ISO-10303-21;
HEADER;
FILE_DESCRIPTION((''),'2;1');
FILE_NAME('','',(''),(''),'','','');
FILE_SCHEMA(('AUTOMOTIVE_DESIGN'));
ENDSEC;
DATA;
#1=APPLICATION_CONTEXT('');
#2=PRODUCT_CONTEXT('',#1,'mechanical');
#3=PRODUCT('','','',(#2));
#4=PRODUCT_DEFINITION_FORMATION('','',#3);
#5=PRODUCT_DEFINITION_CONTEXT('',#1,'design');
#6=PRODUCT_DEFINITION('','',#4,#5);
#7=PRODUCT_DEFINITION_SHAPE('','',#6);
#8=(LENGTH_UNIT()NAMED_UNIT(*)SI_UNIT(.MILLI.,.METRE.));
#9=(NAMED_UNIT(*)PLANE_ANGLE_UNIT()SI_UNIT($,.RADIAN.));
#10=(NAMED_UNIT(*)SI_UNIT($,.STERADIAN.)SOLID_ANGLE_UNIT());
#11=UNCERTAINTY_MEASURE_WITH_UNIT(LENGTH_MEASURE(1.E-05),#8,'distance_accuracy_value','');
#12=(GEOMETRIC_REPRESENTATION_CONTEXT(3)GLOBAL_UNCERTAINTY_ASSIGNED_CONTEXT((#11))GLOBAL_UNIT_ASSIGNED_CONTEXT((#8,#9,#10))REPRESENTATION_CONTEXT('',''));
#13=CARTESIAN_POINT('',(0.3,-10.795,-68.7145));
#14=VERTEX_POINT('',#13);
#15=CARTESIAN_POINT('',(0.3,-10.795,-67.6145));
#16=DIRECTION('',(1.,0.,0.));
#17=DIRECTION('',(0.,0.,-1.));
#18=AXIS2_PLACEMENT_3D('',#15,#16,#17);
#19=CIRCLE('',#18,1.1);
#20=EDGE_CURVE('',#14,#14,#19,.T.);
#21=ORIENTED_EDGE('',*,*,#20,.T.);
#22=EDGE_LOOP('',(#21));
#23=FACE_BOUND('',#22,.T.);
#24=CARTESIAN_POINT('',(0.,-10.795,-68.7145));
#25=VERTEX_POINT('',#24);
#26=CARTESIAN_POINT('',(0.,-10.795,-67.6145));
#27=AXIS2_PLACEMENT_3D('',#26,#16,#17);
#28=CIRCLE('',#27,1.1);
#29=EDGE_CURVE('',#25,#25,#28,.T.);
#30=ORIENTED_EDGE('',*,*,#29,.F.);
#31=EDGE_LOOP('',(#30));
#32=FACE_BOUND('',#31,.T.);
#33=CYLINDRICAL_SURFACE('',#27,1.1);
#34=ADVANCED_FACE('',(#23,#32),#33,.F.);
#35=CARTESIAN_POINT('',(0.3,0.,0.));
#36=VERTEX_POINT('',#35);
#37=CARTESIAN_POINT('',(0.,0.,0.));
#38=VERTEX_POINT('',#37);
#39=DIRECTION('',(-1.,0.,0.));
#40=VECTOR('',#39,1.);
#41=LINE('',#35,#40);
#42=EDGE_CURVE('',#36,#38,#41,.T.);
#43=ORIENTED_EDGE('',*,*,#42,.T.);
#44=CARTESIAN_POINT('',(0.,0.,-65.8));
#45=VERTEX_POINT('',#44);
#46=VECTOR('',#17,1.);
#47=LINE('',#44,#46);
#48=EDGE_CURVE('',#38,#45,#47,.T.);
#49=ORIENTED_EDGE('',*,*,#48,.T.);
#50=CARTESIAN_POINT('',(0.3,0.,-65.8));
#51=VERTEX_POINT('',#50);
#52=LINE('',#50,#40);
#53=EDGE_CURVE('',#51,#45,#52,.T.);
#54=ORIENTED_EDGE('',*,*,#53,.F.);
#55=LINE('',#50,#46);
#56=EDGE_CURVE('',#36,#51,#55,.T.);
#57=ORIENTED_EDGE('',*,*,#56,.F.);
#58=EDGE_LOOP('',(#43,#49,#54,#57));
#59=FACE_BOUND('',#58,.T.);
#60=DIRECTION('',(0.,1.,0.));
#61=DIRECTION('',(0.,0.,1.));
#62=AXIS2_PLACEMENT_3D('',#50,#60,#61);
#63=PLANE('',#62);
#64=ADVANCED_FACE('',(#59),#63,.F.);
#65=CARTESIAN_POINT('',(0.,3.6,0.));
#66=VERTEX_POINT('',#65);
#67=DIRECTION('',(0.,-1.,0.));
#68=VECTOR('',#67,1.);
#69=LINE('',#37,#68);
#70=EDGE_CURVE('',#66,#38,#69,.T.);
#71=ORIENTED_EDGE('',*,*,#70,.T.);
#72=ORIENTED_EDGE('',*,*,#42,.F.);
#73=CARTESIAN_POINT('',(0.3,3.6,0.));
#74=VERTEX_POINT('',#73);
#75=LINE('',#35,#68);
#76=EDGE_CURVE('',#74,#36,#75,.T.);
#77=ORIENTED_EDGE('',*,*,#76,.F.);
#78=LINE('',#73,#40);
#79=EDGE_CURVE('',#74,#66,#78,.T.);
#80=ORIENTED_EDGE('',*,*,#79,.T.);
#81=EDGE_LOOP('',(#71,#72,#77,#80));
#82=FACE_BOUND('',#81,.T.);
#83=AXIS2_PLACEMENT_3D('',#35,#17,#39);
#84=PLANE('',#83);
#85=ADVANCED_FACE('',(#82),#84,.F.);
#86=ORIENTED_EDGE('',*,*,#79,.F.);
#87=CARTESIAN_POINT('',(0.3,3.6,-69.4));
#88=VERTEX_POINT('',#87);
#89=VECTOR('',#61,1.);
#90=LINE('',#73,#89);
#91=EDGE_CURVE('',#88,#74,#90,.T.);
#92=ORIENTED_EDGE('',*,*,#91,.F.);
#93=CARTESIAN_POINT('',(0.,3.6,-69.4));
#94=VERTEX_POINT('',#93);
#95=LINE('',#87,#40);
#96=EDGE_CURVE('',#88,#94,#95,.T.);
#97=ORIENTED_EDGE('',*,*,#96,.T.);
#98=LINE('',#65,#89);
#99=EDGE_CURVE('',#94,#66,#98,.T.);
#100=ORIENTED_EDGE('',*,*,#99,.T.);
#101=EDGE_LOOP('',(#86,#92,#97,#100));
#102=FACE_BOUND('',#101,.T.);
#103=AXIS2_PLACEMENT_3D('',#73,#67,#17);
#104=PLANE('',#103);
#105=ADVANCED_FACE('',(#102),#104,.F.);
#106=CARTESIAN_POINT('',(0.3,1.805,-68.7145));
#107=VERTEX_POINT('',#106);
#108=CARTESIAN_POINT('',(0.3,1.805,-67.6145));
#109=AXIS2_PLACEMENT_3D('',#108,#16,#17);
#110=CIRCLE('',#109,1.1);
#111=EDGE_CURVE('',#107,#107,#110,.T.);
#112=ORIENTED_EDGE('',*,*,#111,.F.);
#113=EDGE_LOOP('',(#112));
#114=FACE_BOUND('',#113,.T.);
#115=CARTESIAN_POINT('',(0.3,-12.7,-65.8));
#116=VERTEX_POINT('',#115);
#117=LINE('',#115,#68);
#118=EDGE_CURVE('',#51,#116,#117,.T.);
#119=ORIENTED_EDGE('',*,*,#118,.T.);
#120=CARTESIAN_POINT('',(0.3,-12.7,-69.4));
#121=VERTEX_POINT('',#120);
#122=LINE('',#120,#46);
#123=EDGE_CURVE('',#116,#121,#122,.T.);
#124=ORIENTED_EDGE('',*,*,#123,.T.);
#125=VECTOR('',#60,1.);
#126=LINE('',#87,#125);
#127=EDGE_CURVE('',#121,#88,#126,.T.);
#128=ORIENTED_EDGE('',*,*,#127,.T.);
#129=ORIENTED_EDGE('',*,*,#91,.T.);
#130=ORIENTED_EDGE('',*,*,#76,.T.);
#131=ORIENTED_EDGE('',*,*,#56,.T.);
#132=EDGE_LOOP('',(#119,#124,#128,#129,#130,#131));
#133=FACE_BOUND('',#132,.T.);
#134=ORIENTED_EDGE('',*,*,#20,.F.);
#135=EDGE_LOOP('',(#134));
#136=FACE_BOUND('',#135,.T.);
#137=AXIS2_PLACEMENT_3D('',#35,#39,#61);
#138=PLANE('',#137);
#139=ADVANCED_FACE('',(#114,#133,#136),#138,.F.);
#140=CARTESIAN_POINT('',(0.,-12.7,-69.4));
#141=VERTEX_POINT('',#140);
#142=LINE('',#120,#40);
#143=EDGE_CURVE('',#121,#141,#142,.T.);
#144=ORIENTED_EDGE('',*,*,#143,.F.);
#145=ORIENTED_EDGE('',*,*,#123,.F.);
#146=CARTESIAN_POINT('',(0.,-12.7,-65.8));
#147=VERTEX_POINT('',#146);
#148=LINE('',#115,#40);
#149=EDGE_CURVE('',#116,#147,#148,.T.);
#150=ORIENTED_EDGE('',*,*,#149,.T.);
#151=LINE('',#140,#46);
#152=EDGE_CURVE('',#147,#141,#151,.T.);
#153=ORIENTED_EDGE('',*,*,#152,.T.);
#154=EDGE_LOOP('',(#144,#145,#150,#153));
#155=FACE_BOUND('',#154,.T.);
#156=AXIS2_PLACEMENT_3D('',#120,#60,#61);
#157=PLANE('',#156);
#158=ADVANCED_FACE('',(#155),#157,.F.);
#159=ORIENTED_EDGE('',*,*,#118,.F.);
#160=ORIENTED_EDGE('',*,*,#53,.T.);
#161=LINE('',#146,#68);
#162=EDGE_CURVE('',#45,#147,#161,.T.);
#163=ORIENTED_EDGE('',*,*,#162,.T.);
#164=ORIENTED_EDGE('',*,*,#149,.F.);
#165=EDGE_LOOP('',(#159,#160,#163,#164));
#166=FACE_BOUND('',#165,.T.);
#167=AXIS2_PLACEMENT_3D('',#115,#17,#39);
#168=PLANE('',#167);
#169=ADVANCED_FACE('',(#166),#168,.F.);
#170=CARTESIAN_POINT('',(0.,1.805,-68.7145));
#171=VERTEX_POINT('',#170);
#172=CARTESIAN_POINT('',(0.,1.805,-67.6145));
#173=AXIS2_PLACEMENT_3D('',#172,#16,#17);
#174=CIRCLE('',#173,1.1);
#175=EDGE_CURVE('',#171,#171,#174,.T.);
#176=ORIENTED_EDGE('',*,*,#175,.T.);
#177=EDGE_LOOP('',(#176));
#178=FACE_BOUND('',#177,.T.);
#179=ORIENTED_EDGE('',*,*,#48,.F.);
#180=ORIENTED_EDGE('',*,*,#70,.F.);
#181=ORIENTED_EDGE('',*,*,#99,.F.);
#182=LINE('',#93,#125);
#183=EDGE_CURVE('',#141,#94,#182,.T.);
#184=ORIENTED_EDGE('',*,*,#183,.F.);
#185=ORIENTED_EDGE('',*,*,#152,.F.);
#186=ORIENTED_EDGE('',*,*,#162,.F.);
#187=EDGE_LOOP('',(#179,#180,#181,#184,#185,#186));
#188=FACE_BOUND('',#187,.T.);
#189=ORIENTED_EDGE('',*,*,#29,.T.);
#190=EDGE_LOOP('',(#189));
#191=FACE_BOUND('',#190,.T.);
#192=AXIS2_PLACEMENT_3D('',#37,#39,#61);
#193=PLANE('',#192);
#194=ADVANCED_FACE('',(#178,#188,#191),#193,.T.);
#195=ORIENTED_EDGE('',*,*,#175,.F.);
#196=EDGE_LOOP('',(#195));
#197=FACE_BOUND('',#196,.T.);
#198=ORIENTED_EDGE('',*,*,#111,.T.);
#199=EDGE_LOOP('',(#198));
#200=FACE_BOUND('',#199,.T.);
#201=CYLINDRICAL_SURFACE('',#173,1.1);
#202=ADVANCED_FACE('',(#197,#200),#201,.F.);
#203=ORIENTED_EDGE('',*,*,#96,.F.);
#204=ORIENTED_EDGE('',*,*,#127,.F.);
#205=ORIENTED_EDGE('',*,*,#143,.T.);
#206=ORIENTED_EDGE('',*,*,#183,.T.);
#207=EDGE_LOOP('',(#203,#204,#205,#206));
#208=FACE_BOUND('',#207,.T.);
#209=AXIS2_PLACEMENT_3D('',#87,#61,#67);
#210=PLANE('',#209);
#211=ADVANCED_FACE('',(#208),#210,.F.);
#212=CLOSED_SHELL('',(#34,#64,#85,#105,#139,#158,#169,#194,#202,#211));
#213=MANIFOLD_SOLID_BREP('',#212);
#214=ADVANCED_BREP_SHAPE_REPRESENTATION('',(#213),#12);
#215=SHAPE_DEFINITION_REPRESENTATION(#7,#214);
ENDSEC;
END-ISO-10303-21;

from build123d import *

# Parameters (mm, degrees)
BOSS_EXTRUDE1_DEPTH = 0.3
SKETCH3_R           = 1.1
CUT_EXTRUDE5_DEPTH  = 0.3


with BuildPart() as part:
    # Sketch2 → Boss-Extrude1 (new body)
    with BuildSketch(Plane(origin=(0, 0, 0), x_dir=(0, 0, -1), z_dir=(1, 0, 0))):
        Polygon((0, 0), (0, 3.6), (69.4, 3.6), (69.4, -12.7), (65.8, -12.7), (65.8, 0), align=None)
    extrude(amount=BOSS_EXTRUDE1_DEPTH)

    # Sketch3 → Cut-Extrude5 (cut)
    with BuildSketch(Plane(origin=(0.3, 0, 0), x_dir=(0, 0, -1), z_dir=(1, 0, 0))):
        with Locations((67.6145, 1.805)):
            Circle(SKETCH3_R)
        with Locations((67.6145, -10.795)):
            Circle(SKETCH3_R)
    extrude(amount=-CUT_EXTRUDE5_DEPTH, mode=Mode.SUBTRACT)


solid = part.part
